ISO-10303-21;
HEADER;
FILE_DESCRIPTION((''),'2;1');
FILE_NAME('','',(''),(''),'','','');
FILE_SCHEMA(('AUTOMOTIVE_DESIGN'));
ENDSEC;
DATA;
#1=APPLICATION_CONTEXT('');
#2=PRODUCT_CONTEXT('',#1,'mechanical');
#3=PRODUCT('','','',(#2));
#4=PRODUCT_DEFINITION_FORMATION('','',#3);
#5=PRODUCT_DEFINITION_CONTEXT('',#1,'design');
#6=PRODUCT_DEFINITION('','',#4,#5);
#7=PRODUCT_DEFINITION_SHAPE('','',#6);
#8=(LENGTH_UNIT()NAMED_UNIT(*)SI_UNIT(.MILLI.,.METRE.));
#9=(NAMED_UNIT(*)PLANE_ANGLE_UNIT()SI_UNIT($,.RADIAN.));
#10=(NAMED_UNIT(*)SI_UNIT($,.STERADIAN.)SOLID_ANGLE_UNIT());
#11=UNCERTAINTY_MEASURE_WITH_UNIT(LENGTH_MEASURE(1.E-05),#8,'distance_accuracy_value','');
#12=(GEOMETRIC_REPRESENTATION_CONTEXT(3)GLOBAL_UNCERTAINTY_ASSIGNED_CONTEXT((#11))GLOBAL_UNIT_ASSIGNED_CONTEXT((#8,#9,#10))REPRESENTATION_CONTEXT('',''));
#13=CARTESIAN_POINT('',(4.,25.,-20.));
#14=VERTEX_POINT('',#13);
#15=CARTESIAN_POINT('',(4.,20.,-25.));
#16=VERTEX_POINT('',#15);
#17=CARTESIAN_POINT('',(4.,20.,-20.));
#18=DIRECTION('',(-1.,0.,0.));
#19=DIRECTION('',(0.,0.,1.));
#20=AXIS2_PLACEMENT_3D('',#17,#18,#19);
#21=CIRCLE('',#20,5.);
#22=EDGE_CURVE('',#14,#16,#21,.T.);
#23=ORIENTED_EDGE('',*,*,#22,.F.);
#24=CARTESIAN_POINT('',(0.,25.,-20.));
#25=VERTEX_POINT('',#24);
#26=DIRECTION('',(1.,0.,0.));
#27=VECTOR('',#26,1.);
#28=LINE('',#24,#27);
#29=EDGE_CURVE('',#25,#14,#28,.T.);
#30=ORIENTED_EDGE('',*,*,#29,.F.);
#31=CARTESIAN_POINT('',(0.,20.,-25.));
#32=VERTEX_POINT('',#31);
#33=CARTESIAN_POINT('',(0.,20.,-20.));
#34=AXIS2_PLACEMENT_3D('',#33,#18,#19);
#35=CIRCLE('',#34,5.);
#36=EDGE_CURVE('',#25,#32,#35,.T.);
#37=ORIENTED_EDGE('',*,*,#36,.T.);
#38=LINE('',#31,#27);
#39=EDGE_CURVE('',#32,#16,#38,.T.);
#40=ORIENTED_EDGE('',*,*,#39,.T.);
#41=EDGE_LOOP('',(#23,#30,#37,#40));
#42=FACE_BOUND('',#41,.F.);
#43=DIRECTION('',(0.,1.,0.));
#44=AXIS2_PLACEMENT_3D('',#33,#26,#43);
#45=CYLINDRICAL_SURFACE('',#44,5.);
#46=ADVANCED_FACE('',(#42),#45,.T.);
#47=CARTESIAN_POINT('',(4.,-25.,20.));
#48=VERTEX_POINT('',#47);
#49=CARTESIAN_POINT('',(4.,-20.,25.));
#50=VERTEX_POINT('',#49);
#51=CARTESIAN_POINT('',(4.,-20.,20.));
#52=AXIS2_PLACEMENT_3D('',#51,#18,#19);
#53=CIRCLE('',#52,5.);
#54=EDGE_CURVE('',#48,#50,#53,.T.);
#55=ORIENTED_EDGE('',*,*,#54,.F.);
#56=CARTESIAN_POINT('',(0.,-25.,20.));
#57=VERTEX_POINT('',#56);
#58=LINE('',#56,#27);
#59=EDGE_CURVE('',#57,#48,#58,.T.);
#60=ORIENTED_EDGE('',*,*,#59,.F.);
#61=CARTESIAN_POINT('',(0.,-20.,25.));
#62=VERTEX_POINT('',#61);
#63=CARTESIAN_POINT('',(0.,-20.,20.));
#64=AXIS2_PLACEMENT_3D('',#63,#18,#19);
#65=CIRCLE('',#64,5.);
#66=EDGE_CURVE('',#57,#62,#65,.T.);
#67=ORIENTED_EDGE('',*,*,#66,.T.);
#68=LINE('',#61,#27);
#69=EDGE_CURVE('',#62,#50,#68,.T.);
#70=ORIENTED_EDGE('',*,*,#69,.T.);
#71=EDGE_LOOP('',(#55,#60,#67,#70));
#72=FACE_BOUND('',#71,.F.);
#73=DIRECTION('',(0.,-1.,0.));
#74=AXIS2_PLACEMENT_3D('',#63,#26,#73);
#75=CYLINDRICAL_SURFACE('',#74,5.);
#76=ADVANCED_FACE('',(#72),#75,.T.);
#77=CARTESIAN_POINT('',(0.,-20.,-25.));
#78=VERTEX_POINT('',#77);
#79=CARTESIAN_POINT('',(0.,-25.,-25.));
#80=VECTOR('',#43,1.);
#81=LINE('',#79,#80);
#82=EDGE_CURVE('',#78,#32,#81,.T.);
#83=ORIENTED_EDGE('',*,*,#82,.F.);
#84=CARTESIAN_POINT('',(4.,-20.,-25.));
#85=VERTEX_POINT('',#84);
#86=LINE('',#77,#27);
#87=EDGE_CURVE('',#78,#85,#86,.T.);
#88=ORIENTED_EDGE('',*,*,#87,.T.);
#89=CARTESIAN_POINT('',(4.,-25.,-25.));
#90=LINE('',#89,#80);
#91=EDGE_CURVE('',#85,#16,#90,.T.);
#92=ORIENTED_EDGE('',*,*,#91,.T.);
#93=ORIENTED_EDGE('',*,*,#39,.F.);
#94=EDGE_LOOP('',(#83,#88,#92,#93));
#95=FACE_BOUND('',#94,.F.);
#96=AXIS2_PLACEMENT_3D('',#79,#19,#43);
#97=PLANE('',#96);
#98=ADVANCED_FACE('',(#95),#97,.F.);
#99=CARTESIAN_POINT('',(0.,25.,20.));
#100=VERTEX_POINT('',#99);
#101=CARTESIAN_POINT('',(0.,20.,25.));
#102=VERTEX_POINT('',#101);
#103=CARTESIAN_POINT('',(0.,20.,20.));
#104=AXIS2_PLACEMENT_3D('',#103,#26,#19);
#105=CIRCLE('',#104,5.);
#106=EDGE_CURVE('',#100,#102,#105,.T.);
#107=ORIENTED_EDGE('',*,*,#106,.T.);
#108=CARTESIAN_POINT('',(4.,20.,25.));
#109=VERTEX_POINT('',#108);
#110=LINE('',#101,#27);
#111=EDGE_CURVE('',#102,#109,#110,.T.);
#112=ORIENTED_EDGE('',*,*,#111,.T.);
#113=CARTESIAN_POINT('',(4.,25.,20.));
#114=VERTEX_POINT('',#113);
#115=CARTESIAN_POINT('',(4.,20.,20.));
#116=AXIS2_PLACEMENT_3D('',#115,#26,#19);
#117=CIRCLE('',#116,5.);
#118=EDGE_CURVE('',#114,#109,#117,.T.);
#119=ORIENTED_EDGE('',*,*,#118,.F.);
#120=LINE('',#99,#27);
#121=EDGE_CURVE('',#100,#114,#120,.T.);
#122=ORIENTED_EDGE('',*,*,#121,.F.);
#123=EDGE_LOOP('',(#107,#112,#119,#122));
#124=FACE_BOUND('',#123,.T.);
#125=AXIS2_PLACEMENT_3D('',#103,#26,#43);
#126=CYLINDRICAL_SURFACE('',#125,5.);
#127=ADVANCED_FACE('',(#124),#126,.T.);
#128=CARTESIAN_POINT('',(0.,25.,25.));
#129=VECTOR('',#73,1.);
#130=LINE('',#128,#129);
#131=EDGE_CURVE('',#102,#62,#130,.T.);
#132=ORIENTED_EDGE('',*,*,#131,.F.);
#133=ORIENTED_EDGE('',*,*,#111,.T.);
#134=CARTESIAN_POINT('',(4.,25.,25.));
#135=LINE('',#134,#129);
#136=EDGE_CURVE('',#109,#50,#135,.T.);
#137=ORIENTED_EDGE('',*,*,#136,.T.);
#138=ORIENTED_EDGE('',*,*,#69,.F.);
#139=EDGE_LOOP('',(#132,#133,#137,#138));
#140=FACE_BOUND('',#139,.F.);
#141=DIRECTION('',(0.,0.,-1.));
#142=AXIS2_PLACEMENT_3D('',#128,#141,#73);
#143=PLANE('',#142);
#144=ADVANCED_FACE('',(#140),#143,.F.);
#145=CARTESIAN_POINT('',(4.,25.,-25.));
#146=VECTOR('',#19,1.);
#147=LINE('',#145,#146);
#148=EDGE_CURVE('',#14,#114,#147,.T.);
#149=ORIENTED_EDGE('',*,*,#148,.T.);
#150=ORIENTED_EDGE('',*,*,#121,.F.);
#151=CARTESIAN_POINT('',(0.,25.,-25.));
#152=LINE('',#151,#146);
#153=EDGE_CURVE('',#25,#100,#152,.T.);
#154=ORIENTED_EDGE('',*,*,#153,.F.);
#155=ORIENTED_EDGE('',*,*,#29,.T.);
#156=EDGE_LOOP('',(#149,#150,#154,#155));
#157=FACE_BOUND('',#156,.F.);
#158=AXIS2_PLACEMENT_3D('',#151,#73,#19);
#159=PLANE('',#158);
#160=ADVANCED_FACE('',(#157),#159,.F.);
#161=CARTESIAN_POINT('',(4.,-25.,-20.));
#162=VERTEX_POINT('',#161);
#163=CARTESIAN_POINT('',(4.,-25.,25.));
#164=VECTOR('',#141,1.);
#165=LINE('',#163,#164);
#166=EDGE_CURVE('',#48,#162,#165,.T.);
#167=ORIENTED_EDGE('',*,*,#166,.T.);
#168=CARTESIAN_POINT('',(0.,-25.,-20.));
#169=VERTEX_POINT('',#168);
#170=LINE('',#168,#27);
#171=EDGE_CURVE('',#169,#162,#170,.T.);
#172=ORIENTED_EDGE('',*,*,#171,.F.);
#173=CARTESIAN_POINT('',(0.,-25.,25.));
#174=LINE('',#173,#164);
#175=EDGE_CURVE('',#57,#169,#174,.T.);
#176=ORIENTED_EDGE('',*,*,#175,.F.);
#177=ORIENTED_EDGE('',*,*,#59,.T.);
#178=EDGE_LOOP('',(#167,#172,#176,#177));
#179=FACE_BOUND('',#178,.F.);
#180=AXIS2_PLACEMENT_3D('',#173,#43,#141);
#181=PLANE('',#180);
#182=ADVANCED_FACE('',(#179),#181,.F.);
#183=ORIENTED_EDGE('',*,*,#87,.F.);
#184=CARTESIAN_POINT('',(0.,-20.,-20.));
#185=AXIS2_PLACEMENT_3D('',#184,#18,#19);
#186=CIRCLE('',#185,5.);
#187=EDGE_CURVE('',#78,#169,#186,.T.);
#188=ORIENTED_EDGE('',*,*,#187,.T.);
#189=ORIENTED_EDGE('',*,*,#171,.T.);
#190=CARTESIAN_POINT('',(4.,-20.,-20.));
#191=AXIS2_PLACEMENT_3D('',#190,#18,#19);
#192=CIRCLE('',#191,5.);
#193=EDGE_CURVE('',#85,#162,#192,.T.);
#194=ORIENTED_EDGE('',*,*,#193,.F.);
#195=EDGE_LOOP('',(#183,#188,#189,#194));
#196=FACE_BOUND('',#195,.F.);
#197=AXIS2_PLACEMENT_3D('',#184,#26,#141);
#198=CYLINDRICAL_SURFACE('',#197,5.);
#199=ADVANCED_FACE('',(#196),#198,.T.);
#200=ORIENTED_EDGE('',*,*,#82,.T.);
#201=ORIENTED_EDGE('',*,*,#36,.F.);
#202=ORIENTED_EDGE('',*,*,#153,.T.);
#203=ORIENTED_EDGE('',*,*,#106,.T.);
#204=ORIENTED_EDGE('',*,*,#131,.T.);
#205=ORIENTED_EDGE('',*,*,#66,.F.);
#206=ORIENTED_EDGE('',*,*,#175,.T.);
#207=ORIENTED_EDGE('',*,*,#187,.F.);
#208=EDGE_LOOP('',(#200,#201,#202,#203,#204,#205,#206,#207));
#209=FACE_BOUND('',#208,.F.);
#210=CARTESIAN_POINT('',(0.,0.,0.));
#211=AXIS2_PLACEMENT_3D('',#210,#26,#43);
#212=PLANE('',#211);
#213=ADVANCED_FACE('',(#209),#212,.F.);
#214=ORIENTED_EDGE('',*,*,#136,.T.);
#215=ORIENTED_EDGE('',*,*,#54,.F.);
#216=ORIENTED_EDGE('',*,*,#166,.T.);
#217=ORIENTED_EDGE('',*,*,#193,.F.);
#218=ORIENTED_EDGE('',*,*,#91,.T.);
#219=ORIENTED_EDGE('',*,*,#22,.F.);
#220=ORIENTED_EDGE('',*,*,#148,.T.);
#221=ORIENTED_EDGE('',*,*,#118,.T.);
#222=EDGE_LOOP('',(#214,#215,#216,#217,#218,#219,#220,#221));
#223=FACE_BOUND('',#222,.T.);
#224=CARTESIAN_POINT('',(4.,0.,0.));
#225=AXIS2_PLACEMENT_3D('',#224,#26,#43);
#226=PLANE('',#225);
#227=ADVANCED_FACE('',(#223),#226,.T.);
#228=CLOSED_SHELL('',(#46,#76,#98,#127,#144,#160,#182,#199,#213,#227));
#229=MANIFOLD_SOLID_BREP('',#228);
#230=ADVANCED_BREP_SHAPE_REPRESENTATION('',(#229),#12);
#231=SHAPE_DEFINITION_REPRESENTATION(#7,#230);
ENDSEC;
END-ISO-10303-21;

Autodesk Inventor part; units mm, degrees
ref_plane "YZ Plane" through (0, 0, 0) normal (1, 0, 0) x (0, 1, 0)
ref_plane "XZ Plane" through (0, 0, 0) normal (0, 1, 0) x (-1, 0, 0)
ref_plane "XY Plane" through (0, 0, 0) normal (0, 0, 1) x (1, 0, 0)
sketch "Эскиз1" plane through (0, 0, 0) normal (1, 0, 0) x (0, 1, 0)
  line L0 (25, 25) -> (-25, 25)
  line L1 (-25, 25) -> (-25, -25)
  line L2 (-25, -25) -> (25, -25)
  line L3 (25, -25) -> (25, 25)
  line L4 (25, 25) -> (-25, -25) construction
  point P0 (0, 0)
  point P1 (0, 0)
  dimension "d0" = 50
  dimension "d1" = 50
extrude "Выдавливание1" add sketch "Эскиз1" along normal blind 4
fillet "Сопряжение1" radius 5 4 edges at (2, 25, 25) (2, -25, 25) (2, 25, -25) (2, -25, -25)
properties part number "крепление руки"
